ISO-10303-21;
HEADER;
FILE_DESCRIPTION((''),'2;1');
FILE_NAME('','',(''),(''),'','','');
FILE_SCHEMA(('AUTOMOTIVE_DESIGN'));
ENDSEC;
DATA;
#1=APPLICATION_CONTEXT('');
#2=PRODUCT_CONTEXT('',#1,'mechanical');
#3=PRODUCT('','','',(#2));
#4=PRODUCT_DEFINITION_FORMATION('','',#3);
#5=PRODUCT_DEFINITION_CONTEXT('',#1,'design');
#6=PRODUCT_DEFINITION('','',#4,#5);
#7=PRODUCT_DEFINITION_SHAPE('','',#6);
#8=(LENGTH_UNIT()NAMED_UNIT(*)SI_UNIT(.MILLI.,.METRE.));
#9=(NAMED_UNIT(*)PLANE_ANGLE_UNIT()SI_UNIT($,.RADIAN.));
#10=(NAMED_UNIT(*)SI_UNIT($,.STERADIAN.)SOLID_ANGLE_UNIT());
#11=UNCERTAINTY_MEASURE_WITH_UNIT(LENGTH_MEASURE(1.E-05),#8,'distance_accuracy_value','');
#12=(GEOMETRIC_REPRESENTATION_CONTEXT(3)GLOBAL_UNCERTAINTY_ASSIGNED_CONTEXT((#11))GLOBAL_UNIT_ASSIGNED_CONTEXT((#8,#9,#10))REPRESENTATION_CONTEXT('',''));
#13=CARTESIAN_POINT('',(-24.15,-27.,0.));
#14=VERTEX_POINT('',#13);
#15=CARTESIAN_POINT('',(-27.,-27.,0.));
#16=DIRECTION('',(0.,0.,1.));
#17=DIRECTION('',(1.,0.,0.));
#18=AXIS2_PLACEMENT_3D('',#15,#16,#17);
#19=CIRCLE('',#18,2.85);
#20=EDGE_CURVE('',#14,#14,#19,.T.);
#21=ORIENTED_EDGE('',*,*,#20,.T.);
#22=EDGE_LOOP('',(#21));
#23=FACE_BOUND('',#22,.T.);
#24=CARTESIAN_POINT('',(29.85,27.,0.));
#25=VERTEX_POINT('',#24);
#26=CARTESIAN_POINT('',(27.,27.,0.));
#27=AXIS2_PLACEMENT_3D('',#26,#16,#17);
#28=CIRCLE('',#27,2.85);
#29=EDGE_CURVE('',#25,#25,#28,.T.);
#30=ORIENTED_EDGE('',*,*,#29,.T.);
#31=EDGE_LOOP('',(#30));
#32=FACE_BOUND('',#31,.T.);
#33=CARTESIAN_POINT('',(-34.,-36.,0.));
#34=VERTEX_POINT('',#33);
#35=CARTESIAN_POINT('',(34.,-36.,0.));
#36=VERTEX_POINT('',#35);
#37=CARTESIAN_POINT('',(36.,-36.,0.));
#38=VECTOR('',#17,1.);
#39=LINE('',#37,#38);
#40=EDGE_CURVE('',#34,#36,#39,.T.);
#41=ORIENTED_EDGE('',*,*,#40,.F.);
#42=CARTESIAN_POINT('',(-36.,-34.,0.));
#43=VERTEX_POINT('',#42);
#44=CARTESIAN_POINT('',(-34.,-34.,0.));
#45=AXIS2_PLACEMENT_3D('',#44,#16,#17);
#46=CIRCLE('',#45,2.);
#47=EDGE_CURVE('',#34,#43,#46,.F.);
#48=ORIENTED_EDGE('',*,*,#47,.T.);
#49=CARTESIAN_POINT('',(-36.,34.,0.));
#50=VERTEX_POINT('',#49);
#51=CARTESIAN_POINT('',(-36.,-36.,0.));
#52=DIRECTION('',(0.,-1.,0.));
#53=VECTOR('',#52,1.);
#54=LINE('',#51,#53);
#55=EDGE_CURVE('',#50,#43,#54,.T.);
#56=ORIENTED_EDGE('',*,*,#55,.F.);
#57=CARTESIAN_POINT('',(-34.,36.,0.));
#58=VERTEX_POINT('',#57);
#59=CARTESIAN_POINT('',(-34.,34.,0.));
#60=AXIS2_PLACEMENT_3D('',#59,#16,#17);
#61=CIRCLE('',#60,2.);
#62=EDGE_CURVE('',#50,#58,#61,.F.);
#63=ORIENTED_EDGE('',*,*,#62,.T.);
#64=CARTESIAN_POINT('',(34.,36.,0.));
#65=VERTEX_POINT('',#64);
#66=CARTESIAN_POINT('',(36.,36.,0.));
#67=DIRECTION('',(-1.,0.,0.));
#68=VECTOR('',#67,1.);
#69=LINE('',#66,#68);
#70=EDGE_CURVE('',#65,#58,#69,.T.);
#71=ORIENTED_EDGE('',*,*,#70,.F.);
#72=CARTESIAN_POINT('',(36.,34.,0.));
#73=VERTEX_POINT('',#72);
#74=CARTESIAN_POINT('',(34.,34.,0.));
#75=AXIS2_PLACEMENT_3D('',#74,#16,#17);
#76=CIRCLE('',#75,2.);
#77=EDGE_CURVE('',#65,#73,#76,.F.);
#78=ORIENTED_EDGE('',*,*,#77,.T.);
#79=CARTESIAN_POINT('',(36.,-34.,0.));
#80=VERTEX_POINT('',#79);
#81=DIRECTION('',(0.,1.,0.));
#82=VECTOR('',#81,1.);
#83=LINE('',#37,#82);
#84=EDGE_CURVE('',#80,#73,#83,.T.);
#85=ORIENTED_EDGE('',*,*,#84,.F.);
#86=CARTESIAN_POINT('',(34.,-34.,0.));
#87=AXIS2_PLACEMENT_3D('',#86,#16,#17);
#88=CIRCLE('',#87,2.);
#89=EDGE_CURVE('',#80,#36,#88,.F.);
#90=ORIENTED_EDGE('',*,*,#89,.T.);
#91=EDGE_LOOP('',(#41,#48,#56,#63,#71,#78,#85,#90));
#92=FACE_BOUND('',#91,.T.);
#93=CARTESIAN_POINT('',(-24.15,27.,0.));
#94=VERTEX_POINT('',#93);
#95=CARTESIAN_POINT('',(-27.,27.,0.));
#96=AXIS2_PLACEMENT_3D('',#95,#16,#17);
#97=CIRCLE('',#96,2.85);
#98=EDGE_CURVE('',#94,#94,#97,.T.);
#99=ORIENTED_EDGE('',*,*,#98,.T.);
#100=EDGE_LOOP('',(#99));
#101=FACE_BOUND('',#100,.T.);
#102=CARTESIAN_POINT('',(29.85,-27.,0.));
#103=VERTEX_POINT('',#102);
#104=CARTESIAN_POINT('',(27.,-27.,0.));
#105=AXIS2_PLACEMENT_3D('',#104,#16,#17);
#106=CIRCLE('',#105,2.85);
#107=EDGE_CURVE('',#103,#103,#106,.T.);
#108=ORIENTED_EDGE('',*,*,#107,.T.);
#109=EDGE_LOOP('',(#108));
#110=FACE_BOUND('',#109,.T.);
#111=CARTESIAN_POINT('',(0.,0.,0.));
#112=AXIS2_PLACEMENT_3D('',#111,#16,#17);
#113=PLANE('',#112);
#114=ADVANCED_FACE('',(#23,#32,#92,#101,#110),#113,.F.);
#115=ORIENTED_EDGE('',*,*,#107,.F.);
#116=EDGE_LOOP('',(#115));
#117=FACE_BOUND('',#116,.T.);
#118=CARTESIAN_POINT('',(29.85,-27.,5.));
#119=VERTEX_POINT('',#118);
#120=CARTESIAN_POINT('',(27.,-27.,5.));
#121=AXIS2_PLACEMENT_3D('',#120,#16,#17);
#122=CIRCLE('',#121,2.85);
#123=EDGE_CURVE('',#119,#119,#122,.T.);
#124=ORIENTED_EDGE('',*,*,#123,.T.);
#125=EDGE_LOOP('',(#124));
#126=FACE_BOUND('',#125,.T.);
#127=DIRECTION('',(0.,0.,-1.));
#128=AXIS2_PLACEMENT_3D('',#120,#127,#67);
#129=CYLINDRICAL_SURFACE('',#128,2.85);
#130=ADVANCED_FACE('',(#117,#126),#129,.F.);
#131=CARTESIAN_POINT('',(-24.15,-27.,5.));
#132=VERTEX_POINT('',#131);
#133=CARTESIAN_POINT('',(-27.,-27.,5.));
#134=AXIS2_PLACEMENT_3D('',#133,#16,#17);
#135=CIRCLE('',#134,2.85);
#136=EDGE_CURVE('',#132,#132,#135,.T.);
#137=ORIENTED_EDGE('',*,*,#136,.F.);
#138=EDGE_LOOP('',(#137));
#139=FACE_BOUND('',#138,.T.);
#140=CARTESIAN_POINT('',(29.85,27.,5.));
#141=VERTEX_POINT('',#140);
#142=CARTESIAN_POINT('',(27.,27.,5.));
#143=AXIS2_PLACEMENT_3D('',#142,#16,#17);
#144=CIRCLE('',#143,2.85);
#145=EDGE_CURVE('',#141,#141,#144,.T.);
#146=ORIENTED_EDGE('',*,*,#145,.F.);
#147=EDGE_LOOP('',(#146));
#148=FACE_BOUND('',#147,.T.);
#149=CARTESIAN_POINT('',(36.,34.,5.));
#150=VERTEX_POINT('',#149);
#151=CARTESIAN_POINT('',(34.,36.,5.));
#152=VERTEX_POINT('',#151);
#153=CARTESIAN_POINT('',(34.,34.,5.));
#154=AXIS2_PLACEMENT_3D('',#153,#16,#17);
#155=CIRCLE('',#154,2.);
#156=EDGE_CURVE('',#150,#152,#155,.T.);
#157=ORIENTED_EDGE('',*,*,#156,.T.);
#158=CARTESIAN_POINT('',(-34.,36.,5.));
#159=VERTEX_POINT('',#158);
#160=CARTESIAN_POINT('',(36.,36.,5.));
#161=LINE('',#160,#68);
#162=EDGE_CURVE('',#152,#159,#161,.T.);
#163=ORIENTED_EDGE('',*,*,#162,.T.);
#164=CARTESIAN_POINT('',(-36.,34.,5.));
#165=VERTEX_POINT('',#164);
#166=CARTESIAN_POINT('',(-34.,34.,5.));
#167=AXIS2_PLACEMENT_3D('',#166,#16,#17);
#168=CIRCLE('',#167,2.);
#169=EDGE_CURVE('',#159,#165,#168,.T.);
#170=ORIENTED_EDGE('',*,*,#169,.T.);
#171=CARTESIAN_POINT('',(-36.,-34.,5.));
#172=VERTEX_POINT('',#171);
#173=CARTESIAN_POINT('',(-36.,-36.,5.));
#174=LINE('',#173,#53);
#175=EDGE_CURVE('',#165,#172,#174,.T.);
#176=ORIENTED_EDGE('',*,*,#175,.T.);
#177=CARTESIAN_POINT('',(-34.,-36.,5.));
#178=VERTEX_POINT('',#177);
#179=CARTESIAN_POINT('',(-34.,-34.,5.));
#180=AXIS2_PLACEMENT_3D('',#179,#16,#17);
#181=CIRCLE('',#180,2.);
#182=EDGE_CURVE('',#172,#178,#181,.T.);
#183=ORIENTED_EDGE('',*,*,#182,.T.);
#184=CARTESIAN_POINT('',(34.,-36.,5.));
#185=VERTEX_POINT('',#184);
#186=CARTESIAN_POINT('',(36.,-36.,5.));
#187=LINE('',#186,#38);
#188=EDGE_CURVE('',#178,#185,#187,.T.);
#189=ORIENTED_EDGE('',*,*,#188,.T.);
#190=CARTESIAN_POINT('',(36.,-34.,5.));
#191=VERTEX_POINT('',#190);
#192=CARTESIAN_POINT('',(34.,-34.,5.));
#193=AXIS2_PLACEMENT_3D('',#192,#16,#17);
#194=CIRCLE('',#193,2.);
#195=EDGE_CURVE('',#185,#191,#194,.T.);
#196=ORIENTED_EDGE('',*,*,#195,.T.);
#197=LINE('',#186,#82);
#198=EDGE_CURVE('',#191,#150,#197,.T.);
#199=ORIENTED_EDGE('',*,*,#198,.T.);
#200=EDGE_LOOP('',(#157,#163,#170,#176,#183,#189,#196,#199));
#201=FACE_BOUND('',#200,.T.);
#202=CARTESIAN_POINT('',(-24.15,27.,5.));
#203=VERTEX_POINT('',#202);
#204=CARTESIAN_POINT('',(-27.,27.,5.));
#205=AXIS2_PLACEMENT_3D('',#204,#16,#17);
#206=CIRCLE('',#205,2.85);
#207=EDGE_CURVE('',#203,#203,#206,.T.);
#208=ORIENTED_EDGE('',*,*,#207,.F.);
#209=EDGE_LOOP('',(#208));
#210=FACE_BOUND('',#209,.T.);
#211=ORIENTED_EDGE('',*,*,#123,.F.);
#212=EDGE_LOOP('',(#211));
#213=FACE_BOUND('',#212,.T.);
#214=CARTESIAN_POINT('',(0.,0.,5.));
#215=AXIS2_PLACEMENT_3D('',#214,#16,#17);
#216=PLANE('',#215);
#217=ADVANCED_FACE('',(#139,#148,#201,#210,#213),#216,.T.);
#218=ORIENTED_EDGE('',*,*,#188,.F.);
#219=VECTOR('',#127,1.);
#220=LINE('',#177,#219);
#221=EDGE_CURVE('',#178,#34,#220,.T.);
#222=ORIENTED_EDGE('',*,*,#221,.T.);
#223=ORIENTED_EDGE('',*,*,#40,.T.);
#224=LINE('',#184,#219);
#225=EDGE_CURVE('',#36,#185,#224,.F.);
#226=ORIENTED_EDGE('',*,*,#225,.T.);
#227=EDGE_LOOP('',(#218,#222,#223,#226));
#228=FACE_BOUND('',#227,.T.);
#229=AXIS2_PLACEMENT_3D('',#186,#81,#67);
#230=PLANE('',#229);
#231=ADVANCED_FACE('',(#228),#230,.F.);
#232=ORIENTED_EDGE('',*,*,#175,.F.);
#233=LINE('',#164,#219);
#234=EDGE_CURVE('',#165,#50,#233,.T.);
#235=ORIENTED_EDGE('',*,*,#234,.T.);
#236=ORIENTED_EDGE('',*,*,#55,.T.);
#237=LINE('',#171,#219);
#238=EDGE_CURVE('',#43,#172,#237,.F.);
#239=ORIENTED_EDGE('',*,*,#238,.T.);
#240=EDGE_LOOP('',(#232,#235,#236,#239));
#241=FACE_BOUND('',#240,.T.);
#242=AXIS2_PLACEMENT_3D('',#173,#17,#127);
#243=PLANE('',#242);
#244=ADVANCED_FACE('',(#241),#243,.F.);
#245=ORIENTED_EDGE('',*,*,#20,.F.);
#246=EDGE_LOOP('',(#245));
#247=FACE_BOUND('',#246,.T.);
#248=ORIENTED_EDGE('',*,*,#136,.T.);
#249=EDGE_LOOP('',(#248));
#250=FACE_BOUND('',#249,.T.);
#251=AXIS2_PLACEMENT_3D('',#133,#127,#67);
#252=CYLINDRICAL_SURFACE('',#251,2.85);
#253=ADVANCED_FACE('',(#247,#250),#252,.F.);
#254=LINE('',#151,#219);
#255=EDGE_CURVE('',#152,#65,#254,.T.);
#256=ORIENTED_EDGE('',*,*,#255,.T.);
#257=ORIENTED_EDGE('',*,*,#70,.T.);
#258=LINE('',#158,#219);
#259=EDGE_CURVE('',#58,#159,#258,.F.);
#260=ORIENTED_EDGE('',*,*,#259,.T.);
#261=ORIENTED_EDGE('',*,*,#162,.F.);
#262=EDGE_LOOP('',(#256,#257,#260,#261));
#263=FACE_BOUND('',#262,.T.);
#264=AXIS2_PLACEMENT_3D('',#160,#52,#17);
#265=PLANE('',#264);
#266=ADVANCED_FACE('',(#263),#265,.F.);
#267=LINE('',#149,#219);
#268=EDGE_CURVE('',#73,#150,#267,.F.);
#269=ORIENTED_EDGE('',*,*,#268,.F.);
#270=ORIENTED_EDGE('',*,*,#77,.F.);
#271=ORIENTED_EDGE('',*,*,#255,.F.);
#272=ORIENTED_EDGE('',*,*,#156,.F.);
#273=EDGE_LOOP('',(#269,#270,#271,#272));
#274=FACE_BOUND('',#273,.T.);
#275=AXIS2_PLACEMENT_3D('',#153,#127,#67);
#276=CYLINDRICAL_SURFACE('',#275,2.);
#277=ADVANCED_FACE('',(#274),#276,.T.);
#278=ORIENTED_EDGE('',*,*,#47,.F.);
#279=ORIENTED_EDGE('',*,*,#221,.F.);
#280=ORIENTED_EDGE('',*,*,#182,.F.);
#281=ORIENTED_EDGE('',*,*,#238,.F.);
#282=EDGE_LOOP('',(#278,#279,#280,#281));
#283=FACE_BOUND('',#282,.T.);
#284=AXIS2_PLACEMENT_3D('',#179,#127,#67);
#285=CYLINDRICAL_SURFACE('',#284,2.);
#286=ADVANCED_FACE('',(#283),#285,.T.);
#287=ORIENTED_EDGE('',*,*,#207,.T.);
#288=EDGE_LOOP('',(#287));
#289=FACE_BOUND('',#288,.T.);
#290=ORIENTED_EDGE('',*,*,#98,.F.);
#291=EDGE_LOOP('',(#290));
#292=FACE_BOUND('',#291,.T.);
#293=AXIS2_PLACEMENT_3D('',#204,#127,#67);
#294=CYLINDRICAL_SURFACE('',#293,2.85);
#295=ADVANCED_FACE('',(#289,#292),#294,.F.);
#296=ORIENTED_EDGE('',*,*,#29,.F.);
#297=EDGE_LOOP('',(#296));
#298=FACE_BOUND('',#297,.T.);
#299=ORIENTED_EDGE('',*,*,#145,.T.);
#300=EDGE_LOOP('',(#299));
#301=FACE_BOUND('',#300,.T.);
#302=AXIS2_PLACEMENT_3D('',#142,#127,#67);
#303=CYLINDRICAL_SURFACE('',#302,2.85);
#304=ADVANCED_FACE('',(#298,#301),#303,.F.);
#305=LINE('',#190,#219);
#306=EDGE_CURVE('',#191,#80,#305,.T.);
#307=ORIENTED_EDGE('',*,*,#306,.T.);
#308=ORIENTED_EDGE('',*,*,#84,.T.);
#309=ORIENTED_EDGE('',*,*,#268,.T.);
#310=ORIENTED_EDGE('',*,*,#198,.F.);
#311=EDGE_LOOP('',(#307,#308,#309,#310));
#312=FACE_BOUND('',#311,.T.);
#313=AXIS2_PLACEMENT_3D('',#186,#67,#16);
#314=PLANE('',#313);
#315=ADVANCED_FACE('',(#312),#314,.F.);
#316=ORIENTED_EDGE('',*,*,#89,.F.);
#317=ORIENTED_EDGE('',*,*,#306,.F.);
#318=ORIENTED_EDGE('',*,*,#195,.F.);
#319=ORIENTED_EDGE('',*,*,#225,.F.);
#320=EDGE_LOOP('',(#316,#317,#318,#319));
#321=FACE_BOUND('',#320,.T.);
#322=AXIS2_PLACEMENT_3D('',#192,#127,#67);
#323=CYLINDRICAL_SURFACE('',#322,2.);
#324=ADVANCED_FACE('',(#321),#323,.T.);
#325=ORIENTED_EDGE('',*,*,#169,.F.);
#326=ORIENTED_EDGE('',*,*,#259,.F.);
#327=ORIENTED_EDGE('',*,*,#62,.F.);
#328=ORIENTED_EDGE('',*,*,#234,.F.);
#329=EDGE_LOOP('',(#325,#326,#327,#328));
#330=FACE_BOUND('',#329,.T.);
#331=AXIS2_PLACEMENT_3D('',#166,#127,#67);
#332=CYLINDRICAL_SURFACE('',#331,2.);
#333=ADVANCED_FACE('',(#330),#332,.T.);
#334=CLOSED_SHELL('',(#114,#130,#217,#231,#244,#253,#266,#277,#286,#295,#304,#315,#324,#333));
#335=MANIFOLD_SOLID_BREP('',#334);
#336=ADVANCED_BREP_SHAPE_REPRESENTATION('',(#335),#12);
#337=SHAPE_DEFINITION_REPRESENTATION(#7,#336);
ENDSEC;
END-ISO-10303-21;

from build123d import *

# Parameters (mm, degrees)
SKETCH1_W           = 72
SKETCH1_H           = 72
SKETCH1_R           = 2.85
BOSS_EXTRUDE1_DEPTH = 5
FILLET1_R           = 2
FILLET2_R           = 2


with BuildPart() as part:
    # Sketch1 → Boss-Extrude1 (new body)
    with BuildSketch(Plane.XY):
        Rectangle(SKETCH1_W, SKETCH1_H)
        with Locations((-27, 27)):
            Circle(SKETCH1_R, mode=Mode.SUBTRACT)
        with Locations((27, 27)):
            Circle(SKETCH1_R, mode=Mode.SUBTRACT)
        with Locations((27, -27)):
            Circle(SKETCH1_R, mode=Mode.SUBTRACT)
        with Locations((-27, -27)):
            Circle(SKETCH1_R, mode=Mode.SUBTRACT)
    extrude(amount=BOSS_EXTRUDE1_DEPTH)

    # Fillet1
    fillet1_edges = [part.edges().sort_by_distance(p)[0] for p in [
        (-36, 36, 2.5),
    ]]
    fillet(fillet1_edges, radius=FILLET1_R)

    # Fillet2
    fillet2_edges = [part.edges().sort_by_distance(p)[0] for p in [
        (36, 36, 2.5),
        (36, -36, 2.5),
        (-36, -36, 2.5),
    ]]
    fillet(fillet2_edges, radius=FILLET2_R)


solid = part.part
